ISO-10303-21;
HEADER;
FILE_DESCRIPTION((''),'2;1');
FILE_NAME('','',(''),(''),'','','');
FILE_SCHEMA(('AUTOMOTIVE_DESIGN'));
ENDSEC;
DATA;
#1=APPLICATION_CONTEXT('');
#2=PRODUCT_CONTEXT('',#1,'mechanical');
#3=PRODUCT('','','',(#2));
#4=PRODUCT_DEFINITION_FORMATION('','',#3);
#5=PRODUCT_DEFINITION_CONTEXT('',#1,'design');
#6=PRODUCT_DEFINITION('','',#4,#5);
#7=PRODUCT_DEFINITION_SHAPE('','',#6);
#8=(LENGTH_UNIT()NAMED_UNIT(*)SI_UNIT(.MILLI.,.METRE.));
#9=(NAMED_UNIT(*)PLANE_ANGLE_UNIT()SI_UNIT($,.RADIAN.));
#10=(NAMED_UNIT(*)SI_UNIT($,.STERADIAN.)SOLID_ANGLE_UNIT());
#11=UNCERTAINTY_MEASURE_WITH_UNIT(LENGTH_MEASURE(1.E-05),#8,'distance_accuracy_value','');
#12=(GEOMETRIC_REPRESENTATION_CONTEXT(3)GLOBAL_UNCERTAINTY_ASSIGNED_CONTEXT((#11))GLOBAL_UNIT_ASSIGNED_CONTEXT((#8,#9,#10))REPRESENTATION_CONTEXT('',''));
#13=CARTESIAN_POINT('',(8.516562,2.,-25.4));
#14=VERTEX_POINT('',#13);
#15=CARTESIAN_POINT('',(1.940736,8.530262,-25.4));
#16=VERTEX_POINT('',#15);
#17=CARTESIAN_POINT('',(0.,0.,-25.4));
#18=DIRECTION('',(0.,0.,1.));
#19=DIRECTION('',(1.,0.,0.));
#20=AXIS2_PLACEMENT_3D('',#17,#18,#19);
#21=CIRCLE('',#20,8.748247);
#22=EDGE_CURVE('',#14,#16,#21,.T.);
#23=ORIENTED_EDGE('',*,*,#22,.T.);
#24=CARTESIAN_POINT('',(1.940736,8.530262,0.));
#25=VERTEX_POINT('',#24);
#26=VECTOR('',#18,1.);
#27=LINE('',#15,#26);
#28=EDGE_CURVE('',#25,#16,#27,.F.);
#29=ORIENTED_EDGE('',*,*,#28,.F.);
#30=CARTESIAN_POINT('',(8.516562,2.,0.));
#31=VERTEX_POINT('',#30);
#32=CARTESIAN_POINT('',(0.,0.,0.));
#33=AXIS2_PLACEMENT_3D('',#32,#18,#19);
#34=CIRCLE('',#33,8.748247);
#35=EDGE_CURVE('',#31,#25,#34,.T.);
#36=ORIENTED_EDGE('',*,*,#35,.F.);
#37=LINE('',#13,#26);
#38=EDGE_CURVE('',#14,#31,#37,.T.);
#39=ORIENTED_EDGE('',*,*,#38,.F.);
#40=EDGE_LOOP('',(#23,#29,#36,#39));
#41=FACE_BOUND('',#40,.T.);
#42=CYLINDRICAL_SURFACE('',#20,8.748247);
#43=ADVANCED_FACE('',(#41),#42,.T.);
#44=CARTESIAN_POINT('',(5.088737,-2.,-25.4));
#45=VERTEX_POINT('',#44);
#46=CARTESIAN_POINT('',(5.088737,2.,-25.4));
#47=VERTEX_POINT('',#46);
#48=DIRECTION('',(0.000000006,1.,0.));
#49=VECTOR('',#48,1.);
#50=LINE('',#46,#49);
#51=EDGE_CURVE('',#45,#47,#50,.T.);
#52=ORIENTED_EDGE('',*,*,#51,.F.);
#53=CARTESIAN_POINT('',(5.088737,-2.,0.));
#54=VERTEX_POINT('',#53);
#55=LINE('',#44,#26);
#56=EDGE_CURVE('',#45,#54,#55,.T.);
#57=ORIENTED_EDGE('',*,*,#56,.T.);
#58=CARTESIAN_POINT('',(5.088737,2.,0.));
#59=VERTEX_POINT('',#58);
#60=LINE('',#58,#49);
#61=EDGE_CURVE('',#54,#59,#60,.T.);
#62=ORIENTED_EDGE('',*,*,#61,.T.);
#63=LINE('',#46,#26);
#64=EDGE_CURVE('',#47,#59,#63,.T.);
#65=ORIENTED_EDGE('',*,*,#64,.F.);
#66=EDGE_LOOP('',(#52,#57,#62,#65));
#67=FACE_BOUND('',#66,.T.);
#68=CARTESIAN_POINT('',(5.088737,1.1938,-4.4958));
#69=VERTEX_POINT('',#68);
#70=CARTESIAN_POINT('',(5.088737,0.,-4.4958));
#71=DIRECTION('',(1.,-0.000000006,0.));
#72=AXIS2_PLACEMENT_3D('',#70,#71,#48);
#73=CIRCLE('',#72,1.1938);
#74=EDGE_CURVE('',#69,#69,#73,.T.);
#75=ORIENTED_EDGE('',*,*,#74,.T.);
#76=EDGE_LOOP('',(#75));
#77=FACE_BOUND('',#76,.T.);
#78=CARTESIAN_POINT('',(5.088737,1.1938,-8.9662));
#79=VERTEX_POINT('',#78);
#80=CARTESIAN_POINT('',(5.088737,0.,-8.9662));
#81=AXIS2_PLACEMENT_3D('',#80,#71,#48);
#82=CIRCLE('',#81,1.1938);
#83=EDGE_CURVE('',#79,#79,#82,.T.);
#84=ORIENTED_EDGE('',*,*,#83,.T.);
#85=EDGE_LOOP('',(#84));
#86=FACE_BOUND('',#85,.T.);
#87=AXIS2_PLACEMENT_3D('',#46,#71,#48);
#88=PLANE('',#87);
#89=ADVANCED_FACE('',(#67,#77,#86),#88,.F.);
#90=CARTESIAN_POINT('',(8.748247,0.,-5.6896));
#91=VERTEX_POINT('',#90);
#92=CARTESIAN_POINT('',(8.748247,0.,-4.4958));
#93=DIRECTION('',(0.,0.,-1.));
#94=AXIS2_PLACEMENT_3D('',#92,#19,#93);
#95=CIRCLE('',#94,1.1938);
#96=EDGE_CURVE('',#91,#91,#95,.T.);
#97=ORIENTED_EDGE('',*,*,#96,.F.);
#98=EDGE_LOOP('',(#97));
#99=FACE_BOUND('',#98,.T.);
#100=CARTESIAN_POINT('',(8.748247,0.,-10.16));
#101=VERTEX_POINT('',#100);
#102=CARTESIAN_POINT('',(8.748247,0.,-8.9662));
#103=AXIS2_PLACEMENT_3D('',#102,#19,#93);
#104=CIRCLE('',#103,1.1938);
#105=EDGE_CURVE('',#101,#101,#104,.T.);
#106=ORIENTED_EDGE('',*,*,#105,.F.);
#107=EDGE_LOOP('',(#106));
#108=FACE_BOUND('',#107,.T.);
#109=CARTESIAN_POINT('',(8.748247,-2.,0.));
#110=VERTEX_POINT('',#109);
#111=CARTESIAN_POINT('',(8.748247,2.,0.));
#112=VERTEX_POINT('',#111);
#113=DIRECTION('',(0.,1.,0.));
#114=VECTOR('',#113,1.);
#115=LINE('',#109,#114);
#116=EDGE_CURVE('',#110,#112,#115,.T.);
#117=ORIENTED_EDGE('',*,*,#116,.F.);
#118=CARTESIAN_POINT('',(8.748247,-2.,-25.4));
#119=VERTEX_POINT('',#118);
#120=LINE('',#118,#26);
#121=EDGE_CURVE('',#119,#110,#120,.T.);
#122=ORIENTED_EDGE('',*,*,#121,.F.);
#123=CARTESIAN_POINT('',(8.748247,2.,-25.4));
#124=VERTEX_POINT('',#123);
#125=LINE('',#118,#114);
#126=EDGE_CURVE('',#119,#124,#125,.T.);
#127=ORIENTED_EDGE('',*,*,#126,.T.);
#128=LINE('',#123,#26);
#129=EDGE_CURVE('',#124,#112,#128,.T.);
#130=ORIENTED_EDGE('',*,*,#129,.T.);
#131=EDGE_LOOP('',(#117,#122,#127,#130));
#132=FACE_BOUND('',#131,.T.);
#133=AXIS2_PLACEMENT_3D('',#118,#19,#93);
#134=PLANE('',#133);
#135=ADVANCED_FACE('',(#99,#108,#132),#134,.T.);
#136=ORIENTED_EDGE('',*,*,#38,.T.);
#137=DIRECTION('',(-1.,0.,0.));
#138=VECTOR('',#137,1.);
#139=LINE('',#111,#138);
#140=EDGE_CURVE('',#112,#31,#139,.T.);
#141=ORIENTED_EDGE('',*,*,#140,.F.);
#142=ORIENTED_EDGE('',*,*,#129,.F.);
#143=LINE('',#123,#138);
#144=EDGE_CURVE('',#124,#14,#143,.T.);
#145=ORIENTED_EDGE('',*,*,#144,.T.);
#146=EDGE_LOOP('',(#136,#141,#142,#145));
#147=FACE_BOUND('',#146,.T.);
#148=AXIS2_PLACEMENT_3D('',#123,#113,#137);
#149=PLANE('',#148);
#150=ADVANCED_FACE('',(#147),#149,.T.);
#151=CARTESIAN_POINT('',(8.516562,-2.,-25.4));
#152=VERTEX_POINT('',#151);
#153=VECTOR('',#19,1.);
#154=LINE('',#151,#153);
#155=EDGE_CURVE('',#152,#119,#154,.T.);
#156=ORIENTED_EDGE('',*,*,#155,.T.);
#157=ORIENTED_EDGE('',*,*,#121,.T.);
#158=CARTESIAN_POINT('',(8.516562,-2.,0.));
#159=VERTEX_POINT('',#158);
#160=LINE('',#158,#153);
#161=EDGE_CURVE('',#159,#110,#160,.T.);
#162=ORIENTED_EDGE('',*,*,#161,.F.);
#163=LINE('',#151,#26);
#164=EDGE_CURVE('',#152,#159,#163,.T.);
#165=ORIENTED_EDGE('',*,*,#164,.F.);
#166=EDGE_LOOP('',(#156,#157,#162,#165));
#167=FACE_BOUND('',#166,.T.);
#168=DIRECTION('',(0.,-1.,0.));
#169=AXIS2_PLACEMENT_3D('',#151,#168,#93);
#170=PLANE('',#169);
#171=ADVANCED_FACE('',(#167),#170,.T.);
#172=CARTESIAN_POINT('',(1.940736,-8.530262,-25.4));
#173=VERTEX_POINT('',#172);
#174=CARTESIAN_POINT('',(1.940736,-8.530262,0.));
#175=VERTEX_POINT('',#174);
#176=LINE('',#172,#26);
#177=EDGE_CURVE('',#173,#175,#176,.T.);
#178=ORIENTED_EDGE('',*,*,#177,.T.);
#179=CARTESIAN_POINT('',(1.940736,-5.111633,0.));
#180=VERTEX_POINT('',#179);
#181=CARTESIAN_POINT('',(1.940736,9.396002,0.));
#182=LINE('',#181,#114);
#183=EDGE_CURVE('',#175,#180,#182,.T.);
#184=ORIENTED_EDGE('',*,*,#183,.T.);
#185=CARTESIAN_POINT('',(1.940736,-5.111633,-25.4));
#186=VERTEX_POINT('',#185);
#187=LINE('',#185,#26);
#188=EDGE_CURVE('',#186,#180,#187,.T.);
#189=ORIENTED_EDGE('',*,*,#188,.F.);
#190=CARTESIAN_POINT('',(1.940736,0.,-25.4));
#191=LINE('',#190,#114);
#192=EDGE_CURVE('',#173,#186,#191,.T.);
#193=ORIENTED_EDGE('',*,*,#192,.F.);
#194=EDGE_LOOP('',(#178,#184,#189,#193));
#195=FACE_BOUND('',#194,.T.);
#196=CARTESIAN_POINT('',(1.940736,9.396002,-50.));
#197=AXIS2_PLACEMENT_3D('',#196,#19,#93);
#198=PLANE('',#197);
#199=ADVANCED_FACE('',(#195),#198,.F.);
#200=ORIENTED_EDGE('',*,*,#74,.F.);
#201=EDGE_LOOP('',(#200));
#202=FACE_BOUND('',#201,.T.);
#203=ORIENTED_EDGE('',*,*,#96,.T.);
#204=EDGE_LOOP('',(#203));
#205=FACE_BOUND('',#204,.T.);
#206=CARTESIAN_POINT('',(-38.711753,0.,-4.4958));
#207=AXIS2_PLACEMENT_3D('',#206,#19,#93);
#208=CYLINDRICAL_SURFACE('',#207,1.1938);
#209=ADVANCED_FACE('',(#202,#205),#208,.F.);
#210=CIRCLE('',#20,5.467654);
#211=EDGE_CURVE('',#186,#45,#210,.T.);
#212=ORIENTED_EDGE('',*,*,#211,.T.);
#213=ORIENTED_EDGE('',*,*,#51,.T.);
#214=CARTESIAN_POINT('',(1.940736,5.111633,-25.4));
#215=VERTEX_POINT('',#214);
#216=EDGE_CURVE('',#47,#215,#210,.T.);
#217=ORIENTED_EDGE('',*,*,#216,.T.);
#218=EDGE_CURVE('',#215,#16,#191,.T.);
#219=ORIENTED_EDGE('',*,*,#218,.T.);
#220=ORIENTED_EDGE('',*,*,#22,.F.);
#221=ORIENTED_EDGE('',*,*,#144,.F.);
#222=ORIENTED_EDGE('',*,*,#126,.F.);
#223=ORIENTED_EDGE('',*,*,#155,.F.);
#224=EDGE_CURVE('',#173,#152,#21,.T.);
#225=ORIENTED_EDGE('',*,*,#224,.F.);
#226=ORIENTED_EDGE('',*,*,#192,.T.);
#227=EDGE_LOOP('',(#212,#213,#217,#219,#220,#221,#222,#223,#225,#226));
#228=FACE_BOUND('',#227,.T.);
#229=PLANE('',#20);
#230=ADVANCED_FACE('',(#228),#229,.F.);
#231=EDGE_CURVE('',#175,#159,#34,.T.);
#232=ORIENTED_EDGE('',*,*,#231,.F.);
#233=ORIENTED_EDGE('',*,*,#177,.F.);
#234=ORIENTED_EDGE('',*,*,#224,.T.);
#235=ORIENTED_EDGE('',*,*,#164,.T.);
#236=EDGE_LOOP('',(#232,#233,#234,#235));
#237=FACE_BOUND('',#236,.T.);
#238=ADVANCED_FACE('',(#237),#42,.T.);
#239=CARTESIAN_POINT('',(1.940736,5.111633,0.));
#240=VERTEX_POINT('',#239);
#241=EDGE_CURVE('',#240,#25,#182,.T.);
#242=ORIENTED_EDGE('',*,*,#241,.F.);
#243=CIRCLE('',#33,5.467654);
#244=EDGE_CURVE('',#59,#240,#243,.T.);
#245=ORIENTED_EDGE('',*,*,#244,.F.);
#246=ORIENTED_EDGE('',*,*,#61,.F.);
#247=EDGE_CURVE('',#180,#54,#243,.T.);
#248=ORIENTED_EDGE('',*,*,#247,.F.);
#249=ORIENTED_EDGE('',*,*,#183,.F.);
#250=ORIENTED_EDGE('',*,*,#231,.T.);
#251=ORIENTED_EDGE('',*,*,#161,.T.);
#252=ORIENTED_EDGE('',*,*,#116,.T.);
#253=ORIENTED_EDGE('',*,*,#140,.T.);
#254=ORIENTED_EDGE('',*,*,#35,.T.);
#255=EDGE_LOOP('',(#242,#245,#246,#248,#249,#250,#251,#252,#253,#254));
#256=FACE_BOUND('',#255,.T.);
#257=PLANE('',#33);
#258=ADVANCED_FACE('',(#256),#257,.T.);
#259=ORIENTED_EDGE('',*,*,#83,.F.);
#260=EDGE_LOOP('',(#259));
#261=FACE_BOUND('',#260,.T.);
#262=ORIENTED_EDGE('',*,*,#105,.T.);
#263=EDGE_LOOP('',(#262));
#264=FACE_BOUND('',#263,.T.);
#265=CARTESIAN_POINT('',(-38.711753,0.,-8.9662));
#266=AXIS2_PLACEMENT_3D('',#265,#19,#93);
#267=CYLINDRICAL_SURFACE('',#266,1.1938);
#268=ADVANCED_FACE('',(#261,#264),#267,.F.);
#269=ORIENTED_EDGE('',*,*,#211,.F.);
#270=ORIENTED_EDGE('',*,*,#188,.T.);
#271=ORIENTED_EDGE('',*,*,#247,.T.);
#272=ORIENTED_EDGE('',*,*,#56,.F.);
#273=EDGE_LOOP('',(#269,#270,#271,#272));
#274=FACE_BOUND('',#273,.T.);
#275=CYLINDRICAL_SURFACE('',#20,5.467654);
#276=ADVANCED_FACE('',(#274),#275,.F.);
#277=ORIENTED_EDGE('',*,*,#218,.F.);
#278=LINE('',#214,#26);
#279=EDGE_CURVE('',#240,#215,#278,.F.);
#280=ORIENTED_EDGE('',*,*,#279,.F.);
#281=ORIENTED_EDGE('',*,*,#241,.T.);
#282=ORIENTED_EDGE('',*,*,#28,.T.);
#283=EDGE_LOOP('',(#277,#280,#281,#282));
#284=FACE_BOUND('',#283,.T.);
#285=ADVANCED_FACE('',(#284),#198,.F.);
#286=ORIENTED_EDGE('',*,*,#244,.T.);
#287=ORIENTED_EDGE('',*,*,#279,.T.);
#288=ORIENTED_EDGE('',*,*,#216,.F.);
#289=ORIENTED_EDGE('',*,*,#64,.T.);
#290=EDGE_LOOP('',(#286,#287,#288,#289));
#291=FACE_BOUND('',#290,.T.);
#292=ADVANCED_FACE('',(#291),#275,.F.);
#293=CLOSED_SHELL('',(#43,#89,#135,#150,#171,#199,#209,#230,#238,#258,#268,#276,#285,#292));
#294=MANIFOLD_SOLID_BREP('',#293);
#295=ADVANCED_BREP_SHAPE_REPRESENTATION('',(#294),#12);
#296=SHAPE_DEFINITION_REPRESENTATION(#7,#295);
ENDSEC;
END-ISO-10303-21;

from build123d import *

# Parameters (mm, degrees)
BOSS_EXTRUDE1_DEPTH = 25.4
SKETCH2_W           = 27.340735927
SKETCH2_H           = 19.391580929
CUT_EXTRUDE1_DEPTH  = 50
SKETCH4_R           = 1.1938
CUT_EXTRUDE2_DEPTH  = 50


with BuildPart() as part:
    # Sketch1 → Boss-Extrude1 (new body)
    with BuildSketch(Plane.XY):
        with BuildLine():
            Line((-8.516561995, -2.000000064), (-8.748247165, -2.000000064))
            Line((-8.748247165, -2.000000064), (-8.748247165, 2))
            Line((-8.748247165, 2), (-8.51656201, 2))
            ThreePointArc((-8.51656201, 2), (0, 8.748247165), (8.51656201, 2))
            Line((8.51656201, 2), (8.748247165, 2))
            Line((8.748247165, 2), (8.748247165, -2.000000064))
            Line((8.748247165, -2.000000064), (8.516561995, -2.000000064))
            ThreePointArc((8.516561995, -2.000000064), (0, -8.748247165), (-8.516561995, -2.000000064))
        make_face()
        with BuildLine():
            Line((-5.088737122, 2), (-5.088737097, -2.000000064))
            ThreePointArc((-5.088737097, -2.000000064), (0, -5.467654478), (5.088737097, -2.000000064))
            Line((5.088737097, -2.000000064), (5.088737122, 2))
            ThreePointArc((5.088737122, 2), (0, 5.467654478), (-5.088737122, 2))
        make_face(mode=Mode.SUBTRACT)
    extrude(amount=-BOSS_EXTRUDE1_DEPTH)

    # Sketch2 → Cut-Extrude1 (cut)
    with BuildSketch(Plane.XY):
        with Locations((-11.729632037, -0.299788476)):
            Rectangle(SKETCH2_W, SKETCH2_H)
    extrude(amount=-CUT_EXTRUDE1_DEPTH, mode=Mode.SUBTRACT)

    # Sketch4 → Cut-Extrude2 (cut)
    with BuildSketch(Plane(origin=(11.288247165, 0, 0), x_dir=(0, 0, -1), z_dir=(1, 0, 0))):
        with Locations((4.4958, 0)):
            Circle(SKETCH4_R)
        with Locations((8.9662, 0)):
            Circle(SKETCH4_R)
    extrude(amount=-CUT_EXTRUDE2_DEPTH, mode=Mode.SUBTRACT)


solid = part.part
